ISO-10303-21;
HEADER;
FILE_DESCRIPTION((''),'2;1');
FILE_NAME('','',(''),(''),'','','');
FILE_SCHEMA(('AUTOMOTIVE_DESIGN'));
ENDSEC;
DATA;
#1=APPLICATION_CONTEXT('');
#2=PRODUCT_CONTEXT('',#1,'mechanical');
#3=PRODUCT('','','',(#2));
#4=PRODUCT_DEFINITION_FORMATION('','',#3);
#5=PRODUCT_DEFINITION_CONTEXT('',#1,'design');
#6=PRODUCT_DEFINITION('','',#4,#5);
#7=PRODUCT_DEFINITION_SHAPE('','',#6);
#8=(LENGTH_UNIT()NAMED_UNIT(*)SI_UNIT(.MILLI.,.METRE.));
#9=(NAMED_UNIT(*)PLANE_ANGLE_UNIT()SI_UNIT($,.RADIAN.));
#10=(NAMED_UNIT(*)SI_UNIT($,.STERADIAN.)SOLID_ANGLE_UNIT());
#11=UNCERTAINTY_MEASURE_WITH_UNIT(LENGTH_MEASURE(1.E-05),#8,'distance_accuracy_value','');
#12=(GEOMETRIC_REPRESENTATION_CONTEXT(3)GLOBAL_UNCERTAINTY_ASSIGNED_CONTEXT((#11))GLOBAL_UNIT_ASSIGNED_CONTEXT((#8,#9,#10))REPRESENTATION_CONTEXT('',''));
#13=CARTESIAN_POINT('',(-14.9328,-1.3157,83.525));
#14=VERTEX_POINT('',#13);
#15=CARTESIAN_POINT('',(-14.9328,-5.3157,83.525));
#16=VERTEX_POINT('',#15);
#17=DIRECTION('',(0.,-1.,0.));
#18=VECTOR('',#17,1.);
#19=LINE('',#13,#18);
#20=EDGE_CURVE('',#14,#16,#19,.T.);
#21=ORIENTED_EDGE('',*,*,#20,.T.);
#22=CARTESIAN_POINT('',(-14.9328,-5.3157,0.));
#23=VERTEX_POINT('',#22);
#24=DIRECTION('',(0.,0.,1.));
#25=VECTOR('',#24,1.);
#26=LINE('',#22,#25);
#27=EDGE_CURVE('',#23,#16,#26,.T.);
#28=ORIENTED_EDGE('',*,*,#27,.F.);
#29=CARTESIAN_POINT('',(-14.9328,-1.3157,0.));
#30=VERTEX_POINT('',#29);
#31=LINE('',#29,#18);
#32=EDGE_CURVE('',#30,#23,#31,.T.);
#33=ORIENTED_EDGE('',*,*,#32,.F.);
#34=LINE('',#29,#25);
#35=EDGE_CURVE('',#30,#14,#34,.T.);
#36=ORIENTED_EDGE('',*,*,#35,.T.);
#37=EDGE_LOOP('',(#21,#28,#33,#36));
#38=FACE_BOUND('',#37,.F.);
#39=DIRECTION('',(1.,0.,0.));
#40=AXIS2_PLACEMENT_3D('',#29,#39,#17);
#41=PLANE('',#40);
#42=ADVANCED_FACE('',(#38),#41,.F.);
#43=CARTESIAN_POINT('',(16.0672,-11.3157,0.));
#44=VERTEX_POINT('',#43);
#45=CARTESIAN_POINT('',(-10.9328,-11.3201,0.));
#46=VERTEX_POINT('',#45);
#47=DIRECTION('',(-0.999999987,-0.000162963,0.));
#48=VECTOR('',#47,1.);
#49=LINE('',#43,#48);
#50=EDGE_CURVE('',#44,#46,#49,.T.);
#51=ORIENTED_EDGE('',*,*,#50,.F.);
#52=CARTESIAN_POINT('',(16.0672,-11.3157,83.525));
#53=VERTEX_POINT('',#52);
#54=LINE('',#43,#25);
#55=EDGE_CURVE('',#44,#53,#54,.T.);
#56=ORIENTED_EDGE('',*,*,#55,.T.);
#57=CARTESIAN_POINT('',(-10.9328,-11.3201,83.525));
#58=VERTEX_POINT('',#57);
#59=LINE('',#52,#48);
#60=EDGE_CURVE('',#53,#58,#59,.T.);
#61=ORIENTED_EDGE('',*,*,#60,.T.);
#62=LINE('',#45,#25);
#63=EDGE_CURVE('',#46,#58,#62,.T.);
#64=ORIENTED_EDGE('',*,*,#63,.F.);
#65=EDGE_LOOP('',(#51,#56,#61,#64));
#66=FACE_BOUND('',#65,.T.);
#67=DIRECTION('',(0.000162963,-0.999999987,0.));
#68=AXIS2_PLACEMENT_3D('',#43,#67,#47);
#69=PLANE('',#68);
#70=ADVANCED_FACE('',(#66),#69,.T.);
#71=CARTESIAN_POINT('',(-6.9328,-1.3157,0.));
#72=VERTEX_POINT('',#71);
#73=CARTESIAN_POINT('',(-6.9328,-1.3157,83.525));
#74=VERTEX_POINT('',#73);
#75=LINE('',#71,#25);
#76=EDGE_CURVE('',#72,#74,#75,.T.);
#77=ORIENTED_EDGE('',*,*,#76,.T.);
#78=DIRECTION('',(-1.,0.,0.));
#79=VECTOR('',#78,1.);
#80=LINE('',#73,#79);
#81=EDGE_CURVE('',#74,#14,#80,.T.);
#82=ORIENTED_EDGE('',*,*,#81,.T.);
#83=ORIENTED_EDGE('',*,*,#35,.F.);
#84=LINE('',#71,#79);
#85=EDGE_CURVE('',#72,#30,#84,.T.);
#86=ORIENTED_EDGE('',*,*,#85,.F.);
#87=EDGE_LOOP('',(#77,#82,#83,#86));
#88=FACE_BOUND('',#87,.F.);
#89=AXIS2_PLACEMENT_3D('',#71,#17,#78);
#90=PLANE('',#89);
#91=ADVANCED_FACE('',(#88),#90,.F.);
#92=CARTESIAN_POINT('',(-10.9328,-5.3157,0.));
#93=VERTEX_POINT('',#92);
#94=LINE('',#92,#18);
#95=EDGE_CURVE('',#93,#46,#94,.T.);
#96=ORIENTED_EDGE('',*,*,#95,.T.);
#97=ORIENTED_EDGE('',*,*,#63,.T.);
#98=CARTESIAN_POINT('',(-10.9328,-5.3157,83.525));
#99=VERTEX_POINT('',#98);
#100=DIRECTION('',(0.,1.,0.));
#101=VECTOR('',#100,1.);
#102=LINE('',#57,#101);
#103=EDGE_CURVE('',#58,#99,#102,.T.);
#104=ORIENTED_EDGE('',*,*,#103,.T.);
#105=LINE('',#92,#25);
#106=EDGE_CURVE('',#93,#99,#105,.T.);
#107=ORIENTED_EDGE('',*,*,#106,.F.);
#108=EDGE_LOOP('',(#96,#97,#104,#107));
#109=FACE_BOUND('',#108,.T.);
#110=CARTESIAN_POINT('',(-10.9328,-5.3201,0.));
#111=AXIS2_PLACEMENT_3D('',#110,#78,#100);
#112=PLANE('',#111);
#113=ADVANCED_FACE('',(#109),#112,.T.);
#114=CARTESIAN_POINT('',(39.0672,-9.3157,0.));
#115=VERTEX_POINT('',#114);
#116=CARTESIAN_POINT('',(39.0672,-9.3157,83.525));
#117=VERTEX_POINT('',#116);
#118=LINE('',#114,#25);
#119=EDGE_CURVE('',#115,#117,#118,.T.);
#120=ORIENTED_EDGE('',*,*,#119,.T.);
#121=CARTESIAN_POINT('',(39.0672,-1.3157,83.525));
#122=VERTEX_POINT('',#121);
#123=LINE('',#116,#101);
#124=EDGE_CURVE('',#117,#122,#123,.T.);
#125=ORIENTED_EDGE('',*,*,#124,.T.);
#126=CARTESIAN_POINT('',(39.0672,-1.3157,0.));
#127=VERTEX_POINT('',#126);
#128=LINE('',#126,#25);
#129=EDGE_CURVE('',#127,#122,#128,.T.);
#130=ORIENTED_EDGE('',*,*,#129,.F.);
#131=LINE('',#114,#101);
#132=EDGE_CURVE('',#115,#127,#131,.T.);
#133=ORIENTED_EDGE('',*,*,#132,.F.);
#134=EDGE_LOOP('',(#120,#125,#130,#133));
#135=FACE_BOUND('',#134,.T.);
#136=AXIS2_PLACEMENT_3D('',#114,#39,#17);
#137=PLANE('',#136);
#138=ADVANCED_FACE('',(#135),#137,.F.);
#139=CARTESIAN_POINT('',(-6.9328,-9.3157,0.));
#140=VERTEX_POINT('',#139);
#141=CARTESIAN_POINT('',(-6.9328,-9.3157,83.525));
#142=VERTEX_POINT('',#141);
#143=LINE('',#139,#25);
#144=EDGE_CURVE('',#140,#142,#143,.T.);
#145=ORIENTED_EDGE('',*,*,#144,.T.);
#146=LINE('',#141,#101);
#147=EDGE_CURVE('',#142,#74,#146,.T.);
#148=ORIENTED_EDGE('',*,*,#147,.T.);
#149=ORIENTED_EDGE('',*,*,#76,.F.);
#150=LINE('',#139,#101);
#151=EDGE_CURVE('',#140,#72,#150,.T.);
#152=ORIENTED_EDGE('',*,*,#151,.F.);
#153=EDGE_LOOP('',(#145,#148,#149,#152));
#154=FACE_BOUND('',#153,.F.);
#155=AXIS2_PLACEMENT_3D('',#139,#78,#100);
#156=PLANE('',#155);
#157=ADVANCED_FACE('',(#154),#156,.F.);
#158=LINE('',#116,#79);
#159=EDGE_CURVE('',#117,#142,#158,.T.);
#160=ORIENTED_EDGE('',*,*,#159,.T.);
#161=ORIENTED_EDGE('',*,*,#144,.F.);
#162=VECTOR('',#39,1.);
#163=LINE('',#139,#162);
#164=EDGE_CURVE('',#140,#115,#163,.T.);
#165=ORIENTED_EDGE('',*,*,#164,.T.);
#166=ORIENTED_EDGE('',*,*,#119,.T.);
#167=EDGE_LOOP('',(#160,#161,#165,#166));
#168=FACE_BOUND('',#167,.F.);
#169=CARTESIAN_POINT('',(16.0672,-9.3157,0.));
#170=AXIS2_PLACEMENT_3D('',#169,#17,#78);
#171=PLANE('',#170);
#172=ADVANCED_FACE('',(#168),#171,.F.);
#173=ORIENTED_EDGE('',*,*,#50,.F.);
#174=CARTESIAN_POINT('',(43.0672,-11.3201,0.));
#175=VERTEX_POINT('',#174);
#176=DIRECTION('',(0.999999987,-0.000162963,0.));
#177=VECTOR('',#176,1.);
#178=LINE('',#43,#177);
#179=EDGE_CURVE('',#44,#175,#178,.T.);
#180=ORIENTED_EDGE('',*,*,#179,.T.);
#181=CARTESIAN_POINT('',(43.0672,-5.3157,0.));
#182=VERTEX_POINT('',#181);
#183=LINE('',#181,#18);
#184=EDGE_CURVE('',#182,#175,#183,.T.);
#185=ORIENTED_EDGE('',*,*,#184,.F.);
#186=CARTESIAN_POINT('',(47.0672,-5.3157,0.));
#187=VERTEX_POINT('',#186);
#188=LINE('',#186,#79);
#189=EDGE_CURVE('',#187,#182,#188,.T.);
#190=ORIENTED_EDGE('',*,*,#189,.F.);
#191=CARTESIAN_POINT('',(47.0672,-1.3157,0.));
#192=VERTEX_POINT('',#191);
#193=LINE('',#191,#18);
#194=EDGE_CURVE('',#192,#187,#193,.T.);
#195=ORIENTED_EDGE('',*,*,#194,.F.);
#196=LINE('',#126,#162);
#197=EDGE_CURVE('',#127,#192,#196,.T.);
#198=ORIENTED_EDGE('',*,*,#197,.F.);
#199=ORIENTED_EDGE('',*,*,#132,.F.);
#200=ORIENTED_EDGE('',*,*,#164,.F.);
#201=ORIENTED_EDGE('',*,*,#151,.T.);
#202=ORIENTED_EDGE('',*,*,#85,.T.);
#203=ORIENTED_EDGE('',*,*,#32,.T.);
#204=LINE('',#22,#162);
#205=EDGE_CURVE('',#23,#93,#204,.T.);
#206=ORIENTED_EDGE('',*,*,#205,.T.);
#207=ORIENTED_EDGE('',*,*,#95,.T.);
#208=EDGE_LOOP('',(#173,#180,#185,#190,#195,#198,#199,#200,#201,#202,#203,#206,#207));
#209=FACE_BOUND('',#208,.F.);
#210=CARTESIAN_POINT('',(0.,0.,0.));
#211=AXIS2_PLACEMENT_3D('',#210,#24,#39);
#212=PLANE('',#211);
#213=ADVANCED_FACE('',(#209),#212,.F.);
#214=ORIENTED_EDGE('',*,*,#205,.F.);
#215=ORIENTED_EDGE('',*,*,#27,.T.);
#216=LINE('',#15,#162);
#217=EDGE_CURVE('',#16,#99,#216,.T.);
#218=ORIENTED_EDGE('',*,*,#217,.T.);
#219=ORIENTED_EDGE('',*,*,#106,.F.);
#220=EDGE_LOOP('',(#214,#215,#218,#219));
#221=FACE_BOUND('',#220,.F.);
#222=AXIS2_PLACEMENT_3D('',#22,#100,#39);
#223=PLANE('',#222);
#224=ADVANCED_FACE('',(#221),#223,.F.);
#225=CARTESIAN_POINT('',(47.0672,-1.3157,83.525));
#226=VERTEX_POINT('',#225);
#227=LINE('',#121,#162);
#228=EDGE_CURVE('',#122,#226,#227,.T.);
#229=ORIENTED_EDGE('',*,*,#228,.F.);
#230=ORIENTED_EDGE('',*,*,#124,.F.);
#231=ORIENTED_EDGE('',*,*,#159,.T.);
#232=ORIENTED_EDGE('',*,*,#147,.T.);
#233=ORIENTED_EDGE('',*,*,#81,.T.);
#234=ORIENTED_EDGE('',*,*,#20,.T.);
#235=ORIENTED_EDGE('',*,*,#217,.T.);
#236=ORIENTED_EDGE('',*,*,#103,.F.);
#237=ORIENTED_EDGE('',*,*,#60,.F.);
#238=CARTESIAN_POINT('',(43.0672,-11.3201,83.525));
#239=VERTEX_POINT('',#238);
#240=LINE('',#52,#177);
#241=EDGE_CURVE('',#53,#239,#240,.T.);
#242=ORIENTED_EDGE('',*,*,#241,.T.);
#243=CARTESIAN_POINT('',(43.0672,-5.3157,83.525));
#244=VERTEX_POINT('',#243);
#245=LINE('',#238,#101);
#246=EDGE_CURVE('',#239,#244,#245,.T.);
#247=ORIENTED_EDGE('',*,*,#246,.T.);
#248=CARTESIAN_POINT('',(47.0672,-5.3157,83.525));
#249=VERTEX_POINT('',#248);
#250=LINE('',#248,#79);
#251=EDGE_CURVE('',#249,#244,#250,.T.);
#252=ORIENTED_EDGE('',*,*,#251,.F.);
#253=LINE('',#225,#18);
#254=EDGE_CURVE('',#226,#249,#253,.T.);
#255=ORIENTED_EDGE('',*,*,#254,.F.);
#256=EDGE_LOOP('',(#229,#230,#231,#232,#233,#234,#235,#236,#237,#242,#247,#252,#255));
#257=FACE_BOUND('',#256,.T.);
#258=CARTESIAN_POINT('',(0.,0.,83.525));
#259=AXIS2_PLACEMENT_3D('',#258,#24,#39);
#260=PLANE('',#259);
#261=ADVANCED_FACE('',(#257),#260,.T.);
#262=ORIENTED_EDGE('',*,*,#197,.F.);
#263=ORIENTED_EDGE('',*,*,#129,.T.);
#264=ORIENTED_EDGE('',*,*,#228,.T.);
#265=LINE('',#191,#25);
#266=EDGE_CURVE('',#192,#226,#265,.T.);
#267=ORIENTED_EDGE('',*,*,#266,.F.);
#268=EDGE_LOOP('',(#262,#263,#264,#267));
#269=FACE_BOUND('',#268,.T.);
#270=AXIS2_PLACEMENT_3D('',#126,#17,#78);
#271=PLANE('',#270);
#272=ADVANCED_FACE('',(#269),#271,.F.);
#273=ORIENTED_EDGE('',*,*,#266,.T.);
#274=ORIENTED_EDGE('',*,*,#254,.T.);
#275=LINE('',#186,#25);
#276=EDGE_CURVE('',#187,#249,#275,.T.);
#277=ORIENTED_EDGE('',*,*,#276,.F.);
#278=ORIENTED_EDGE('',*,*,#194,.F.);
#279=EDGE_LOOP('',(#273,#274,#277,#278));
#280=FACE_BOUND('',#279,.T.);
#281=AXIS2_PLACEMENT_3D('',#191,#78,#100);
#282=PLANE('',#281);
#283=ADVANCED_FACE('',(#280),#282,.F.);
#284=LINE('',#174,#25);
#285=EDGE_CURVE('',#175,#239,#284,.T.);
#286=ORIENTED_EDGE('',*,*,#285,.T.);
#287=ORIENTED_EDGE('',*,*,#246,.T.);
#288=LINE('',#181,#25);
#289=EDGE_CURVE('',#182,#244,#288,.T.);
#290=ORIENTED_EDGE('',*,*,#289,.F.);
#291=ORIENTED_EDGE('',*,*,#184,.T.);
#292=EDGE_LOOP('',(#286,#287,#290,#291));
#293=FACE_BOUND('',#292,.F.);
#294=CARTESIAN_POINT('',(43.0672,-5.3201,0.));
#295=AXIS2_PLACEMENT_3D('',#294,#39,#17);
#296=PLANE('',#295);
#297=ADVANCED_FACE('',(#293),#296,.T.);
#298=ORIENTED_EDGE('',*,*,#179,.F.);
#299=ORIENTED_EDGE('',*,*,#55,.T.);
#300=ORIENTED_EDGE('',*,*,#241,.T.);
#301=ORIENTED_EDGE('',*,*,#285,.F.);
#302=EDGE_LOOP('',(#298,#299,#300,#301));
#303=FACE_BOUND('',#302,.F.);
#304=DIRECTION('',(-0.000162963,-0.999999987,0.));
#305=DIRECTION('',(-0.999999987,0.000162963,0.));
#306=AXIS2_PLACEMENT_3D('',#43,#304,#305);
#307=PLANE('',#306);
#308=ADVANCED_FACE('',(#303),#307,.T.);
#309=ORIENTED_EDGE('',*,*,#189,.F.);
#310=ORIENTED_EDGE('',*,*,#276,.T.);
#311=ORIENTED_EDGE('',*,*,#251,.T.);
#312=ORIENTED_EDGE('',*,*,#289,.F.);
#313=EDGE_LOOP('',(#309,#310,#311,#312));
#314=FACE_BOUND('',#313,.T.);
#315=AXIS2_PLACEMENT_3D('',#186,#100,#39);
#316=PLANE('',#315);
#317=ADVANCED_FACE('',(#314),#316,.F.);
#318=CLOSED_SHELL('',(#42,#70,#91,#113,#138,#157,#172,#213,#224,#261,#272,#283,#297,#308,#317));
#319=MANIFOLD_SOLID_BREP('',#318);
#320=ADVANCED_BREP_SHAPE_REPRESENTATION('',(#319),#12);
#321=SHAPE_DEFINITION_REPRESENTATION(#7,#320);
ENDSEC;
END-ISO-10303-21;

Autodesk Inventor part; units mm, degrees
ref_plane "YZ Plane" through (0, 0, 0) normal (1, 0, 0) x (0, 1, 0)
ref_plane "XZ Plane" through (0, 0, 0) normal (0, 1, 0) x (-1, 0, 0)
ref_plane "XY Plane" through (0, 0, 0) normal (0, 0, 1) x (1, 0, 0)
sketch "Sketch2" plane through (0, 0, 0) normal (0, 0, 1) x (1, 0, 0)
  line L0 (-14.9328, -5.3201) -> (-10.9328, -5.3201)
  line L1 (-10.9328, -5.3201) -> (-10.9328, -11.3201)
  line L2 (-10.9328, -11.3201) -> (20.0672, -11.3201)
  line L3 (-10.9328, -11.3201) -> (20.0672, -11.3201)
  line L4 (20.0672, -11.3201) -> (20.0672, -9.3157)
  line L5 (20.0672, -9.3157) -> (-6.9328, -9.3157)
  line L6 (-6.9328, -9.3157) -> (-6.9328, -1.3157)
  line L7 (-6.9328, -1.3157) -> (-14.9328, -1.3157)
  line L8 (-14.9328, -1.3157) -> (-14.9328, -5.3157)
  line L9 (-14.9328, -5.3157) -> (-10.9328, -5.3157)
  line L10 (-14.9328, -1.3157) -> (-6.9328, -1.3157)
  line L11 (-6.9328, -1.3157) -> (-6.9328, -9.3157)
  line L12 (-6.9328, -9.3157) -> (16.0672, -9.3157)
  line L13 (16.0672, -9.3157) -> (16.0672, -11.3157)
  line L14 (16.0672, -11.3157) -> (-10.9328, -11.3201)
  line L15 (-10.9328, -11.3201) -> (-10.9328, -5.3157)
  line L16 (-10.9328, -5.3157) -> (-14.9328, -5.3157)
  line L17 (-14.9328, -1.3157) -> (-14.9328, -5.3157)
  point P0 (0, 0)
  point P1 (-14.9328, 16.2146)
  point P2 (20.0672, -10.3179)
  point P3 (-12.9328, -5.3201)
  dimension "d0" = 27
  dimension "d1" = 8
  dimension "d2" = 8
  dimension "d3" = 90
  dimension "d4" = 4
  dimension "d5" = 90
  dimension "d6" = 4
  dimension "d7" = 90
  dimension "d8" = 23
  dimension "d9" = 2
extrude "Extrusion1" add sketch "Sketch2" along normal blind 83.525 contours L15 L9 L8 L7 L6 L5 L13 L14 L1
mirror "Mirror1" about plane through (16.0672, -11.3157, 0) normal (1, 0, 0) of "Extrusion1"
properties part number "Avionics Cradle (12-13)"
